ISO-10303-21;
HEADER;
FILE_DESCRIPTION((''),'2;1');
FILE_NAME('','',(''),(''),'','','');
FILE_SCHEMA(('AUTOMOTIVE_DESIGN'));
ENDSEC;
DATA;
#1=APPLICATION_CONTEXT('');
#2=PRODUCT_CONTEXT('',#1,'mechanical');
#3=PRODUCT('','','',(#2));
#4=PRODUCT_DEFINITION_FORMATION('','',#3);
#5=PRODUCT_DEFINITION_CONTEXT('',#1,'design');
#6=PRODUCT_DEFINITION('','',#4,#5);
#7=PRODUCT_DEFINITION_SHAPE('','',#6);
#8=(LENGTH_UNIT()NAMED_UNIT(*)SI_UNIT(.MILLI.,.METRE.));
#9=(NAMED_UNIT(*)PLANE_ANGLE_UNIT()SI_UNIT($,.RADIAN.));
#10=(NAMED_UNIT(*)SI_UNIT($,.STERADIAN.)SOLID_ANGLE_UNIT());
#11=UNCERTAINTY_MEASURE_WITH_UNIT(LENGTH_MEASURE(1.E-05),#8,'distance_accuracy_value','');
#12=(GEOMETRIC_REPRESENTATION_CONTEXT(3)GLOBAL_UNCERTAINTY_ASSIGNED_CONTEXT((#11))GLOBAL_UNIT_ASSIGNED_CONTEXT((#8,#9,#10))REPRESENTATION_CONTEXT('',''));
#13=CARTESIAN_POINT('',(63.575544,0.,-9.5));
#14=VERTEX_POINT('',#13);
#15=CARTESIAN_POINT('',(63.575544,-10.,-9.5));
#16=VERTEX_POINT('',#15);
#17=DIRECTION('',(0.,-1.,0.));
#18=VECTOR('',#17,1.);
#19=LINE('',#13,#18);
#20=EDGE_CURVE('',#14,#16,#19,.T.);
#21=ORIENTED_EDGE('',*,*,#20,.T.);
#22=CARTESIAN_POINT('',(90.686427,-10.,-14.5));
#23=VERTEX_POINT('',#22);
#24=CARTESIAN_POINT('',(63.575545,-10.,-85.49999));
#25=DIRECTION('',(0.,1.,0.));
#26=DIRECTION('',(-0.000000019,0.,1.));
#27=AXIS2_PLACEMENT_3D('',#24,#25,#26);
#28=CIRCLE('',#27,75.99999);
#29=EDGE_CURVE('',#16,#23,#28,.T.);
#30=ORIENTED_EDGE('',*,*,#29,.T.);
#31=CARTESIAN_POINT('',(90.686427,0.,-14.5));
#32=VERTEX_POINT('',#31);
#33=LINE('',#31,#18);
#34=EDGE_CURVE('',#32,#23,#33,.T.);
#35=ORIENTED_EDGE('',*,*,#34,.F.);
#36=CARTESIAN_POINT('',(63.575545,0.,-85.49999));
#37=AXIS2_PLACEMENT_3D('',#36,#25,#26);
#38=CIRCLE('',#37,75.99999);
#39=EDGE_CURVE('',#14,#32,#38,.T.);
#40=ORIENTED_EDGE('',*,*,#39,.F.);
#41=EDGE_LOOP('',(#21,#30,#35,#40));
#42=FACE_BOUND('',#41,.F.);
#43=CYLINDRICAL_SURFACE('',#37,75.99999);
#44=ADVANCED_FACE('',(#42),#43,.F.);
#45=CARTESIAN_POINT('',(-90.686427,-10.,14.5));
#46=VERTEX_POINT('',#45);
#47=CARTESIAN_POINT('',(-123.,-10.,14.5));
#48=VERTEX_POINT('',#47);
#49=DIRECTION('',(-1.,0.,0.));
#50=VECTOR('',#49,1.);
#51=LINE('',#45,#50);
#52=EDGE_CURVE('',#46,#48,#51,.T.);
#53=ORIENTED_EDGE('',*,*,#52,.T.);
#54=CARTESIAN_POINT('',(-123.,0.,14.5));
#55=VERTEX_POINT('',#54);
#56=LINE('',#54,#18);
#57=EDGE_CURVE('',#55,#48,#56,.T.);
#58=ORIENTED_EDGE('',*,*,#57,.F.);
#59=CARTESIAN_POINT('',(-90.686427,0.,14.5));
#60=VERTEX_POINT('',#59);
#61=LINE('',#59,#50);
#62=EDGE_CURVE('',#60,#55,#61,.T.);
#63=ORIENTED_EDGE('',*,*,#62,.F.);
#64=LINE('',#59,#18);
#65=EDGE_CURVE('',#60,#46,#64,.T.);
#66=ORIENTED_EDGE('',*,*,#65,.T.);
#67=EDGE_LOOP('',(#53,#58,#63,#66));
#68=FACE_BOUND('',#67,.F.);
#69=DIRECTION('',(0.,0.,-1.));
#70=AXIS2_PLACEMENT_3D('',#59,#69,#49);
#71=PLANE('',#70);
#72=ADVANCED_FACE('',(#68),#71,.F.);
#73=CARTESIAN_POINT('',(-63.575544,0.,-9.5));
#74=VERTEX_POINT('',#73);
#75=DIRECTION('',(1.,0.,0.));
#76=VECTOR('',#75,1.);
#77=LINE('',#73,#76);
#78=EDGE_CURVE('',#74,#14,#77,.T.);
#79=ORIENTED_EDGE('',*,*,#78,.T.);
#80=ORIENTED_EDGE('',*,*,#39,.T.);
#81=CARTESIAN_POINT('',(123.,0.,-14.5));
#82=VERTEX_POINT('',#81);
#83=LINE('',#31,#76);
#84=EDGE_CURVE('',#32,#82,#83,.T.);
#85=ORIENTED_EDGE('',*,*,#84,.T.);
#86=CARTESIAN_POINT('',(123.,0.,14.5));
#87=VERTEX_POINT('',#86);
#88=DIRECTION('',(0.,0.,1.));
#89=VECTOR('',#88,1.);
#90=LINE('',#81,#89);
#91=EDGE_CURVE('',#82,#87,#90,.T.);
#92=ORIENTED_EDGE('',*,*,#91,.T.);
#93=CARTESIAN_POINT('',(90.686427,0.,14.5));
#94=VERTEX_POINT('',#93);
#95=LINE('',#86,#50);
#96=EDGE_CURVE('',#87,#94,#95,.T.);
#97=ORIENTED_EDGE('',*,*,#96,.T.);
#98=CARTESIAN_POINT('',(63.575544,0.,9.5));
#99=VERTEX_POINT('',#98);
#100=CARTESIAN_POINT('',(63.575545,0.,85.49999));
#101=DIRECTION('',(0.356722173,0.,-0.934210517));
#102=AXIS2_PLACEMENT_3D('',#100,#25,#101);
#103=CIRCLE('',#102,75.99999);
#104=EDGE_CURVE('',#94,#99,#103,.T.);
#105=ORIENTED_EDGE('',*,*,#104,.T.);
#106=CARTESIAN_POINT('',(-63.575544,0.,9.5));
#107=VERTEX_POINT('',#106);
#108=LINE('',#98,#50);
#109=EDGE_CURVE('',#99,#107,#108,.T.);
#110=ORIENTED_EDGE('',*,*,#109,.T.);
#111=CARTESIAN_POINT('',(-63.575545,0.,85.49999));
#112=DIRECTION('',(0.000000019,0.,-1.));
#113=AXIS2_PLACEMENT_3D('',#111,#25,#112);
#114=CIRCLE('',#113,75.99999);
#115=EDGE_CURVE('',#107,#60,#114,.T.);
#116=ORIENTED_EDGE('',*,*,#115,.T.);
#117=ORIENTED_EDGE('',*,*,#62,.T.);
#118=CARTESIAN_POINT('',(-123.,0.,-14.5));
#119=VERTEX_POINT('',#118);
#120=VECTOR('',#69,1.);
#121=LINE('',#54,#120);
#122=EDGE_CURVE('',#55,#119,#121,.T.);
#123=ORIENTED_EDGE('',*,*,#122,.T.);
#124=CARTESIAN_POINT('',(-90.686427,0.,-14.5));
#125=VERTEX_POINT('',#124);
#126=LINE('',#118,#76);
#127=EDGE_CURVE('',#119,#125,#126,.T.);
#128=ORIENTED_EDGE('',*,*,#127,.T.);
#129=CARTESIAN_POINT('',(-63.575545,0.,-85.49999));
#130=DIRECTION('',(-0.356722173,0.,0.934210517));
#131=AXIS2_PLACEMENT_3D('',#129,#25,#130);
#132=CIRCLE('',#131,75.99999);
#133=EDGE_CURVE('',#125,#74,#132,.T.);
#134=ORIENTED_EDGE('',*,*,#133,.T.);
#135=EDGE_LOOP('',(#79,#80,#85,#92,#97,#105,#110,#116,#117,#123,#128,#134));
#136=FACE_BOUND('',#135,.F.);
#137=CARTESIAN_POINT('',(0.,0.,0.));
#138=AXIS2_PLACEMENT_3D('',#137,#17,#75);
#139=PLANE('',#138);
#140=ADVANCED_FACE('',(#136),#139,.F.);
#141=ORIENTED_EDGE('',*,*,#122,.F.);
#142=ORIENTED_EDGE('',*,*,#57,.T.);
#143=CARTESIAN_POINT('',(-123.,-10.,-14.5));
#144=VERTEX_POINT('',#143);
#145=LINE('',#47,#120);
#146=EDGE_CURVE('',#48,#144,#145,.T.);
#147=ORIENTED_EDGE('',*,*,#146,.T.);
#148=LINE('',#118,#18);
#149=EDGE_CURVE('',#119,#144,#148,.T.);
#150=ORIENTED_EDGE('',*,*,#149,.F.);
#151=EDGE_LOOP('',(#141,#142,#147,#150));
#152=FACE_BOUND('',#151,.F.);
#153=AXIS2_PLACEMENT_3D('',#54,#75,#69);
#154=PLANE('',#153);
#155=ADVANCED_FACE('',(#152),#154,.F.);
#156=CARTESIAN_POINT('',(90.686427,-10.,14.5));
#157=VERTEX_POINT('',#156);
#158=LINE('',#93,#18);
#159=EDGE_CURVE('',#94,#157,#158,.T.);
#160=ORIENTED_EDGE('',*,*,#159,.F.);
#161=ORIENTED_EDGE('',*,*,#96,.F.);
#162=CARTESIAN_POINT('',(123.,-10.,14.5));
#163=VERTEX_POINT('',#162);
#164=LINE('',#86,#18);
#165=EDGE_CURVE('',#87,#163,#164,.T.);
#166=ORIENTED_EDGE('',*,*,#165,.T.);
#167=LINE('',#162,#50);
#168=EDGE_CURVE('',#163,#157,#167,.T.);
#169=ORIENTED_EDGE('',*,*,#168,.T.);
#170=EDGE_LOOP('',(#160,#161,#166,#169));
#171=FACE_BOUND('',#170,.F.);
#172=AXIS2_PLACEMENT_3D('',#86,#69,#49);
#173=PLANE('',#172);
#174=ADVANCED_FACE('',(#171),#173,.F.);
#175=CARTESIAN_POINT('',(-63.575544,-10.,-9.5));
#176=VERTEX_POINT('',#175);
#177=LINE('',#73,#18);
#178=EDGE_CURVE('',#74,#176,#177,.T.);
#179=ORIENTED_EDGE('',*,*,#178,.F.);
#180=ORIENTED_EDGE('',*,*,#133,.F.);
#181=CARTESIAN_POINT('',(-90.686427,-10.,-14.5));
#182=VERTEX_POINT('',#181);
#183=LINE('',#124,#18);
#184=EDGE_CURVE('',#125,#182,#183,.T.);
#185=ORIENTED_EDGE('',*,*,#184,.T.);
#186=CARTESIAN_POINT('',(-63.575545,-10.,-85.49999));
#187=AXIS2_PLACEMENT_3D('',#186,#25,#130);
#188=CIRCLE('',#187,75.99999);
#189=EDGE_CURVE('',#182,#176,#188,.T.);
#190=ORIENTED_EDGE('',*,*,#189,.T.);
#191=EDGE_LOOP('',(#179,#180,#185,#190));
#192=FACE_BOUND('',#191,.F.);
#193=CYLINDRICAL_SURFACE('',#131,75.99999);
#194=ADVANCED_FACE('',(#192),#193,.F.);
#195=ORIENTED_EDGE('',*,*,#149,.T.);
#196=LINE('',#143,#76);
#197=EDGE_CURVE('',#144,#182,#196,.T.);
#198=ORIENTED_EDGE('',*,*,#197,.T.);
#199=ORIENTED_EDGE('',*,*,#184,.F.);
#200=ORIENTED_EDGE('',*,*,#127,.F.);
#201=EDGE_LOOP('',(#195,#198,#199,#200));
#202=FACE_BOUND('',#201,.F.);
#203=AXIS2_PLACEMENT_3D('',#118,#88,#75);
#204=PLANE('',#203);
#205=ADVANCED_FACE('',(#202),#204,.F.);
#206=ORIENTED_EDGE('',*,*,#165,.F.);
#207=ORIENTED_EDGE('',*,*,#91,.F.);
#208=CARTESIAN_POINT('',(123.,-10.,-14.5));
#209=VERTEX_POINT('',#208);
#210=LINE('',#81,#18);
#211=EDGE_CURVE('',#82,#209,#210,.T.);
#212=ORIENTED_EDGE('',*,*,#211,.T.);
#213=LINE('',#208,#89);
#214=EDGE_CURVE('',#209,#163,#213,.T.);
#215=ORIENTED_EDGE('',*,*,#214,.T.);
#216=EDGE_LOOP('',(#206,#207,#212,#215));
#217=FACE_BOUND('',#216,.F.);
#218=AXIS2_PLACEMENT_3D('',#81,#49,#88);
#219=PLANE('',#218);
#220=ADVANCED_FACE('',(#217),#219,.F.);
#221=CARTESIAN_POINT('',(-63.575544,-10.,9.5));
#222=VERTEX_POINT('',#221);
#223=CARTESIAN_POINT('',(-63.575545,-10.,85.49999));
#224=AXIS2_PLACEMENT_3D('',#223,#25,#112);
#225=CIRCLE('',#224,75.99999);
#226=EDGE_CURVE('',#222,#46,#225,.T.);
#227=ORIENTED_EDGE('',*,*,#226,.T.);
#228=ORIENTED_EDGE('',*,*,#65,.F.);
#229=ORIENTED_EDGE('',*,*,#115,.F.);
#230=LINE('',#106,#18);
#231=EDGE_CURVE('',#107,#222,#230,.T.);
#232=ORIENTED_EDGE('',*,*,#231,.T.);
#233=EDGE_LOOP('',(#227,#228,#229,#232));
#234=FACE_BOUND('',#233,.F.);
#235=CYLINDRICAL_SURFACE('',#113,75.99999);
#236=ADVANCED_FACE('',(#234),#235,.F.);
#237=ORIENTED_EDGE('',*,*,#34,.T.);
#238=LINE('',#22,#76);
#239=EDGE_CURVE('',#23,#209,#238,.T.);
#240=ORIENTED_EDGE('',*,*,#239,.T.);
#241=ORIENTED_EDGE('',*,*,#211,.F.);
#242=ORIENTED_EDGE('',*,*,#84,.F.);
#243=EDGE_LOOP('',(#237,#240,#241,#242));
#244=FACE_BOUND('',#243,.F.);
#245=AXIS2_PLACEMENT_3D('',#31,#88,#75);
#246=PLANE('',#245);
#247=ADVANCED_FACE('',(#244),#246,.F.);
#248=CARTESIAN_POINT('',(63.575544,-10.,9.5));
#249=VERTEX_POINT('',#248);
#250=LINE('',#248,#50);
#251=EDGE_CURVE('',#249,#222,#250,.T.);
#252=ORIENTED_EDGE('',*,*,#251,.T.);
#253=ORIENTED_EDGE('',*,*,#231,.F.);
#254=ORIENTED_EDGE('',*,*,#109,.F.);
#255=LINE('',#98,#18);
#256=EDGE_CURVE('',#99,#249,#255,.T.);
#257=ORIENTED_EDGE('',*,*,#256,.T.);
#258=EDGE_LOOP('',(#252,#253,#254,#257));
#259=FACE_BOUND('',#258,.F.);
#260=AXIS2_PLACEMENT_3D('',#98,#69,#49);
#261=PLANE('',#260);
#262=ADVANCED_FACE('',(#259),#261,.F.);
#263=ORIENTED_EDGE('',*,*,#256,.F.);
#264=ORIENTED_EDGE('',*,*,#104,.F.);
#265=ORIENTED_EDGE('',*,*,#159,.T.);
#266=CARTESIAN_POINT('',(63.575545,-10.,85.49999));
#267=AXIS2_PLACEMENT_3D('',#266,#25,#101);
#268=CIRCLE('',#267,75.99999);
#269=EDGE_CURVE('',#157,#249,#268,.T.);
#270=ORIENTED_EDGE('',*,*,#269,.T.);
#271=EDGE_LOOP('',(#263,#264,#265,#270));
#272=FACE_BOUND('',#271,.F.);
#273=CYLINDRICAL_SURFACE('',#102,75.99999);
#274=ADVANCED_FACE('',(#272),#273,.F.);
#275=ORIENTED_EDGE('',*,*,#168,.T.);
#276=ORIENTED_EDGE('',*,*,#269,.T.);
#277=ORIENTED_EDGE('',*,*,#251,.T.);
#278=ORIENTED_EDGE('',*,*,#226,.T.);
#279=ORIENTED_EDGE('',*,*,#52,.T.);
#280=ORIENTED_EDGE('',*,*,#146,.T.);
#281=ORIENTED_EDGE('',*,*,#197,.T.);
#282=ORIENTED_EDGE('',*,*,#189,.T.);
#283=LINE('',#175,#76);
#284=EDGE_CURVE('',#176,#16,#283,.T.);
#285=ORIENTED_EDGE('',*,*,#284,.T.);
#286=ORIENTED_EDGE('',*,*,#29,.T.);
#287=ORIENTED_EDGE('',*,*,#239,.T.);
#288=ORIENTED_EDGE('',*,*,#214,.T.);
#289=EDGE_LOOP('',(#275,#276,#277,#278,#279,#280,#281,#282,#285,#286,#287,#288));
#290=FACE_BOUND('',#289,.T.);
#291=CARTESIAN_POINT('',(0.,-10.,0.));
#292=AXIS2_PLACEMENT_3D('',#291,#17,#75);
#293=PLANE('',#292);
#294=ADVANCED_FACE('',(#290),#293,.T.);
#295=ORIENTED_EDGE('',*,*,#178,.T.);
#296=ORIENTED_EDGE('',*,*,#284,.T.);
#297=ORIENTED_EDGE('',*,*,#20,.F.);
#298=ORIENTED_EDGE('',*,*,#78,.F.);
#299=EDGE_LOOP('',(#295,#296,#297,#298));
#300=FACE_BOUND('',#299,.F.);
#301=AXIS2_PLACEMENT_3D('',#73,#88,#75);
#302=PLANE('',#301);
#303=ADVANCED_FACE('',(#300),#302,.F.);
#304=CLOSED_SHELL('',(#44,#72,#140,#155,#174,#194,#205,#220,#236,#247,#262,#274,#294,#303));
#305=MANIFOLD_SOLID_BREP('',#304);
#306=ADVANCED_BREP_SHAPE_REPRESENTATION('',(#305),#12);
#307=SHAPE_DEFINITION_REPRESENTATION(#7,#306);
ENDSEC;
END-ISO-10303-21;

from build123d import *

# Parameters (mm, degrees)
F1_DEPTH = 10


with BuildPart() as f1:
    # F0 (on Front) → F1 (new body)
    with BuildSketch(Plane.XZ):
        with BuildLine():
            Line((63.575544, 9.5), (0, 9.5))
            Line((0, 9.5), (-63.575544, 9.5))
            ThreePointArc((-63.575544, 9.5), (-77.359592, 10.760452), (-90.686427, 14.5))
            Line((-90.686427, 14.5), (-123, 14.5))
            Line((-123, 14.5), (-123, -14.5))
            Line((-123, -14.5), (-90.686427, -14.5))
            ThreePointArc((-90.686427, -14.5), (-77.359592, -10.760452), (-63.575544, -9.5))
            Line((-63.575544, -9.5), (0, -9.5))
            Line((0, -9.5), (63.575544, -9.5))
            ThreePointArc((63.575544, -9.5), (77.359592, -10.760452), (90.686427, -14.5))
            Line((90.686427, -14.5), (123, -14.5))
            Line((123, -14.5), (123, 14.5))
            Line((123, 14.5), (90.686427, 14.5))
            ThreePointArc((90.686427, 14.5), (77.359592, 10.760452), (63.575544, 9.5))
        make_face()
    extrude(amount=F1_DEPTH)


solid = f1.part
